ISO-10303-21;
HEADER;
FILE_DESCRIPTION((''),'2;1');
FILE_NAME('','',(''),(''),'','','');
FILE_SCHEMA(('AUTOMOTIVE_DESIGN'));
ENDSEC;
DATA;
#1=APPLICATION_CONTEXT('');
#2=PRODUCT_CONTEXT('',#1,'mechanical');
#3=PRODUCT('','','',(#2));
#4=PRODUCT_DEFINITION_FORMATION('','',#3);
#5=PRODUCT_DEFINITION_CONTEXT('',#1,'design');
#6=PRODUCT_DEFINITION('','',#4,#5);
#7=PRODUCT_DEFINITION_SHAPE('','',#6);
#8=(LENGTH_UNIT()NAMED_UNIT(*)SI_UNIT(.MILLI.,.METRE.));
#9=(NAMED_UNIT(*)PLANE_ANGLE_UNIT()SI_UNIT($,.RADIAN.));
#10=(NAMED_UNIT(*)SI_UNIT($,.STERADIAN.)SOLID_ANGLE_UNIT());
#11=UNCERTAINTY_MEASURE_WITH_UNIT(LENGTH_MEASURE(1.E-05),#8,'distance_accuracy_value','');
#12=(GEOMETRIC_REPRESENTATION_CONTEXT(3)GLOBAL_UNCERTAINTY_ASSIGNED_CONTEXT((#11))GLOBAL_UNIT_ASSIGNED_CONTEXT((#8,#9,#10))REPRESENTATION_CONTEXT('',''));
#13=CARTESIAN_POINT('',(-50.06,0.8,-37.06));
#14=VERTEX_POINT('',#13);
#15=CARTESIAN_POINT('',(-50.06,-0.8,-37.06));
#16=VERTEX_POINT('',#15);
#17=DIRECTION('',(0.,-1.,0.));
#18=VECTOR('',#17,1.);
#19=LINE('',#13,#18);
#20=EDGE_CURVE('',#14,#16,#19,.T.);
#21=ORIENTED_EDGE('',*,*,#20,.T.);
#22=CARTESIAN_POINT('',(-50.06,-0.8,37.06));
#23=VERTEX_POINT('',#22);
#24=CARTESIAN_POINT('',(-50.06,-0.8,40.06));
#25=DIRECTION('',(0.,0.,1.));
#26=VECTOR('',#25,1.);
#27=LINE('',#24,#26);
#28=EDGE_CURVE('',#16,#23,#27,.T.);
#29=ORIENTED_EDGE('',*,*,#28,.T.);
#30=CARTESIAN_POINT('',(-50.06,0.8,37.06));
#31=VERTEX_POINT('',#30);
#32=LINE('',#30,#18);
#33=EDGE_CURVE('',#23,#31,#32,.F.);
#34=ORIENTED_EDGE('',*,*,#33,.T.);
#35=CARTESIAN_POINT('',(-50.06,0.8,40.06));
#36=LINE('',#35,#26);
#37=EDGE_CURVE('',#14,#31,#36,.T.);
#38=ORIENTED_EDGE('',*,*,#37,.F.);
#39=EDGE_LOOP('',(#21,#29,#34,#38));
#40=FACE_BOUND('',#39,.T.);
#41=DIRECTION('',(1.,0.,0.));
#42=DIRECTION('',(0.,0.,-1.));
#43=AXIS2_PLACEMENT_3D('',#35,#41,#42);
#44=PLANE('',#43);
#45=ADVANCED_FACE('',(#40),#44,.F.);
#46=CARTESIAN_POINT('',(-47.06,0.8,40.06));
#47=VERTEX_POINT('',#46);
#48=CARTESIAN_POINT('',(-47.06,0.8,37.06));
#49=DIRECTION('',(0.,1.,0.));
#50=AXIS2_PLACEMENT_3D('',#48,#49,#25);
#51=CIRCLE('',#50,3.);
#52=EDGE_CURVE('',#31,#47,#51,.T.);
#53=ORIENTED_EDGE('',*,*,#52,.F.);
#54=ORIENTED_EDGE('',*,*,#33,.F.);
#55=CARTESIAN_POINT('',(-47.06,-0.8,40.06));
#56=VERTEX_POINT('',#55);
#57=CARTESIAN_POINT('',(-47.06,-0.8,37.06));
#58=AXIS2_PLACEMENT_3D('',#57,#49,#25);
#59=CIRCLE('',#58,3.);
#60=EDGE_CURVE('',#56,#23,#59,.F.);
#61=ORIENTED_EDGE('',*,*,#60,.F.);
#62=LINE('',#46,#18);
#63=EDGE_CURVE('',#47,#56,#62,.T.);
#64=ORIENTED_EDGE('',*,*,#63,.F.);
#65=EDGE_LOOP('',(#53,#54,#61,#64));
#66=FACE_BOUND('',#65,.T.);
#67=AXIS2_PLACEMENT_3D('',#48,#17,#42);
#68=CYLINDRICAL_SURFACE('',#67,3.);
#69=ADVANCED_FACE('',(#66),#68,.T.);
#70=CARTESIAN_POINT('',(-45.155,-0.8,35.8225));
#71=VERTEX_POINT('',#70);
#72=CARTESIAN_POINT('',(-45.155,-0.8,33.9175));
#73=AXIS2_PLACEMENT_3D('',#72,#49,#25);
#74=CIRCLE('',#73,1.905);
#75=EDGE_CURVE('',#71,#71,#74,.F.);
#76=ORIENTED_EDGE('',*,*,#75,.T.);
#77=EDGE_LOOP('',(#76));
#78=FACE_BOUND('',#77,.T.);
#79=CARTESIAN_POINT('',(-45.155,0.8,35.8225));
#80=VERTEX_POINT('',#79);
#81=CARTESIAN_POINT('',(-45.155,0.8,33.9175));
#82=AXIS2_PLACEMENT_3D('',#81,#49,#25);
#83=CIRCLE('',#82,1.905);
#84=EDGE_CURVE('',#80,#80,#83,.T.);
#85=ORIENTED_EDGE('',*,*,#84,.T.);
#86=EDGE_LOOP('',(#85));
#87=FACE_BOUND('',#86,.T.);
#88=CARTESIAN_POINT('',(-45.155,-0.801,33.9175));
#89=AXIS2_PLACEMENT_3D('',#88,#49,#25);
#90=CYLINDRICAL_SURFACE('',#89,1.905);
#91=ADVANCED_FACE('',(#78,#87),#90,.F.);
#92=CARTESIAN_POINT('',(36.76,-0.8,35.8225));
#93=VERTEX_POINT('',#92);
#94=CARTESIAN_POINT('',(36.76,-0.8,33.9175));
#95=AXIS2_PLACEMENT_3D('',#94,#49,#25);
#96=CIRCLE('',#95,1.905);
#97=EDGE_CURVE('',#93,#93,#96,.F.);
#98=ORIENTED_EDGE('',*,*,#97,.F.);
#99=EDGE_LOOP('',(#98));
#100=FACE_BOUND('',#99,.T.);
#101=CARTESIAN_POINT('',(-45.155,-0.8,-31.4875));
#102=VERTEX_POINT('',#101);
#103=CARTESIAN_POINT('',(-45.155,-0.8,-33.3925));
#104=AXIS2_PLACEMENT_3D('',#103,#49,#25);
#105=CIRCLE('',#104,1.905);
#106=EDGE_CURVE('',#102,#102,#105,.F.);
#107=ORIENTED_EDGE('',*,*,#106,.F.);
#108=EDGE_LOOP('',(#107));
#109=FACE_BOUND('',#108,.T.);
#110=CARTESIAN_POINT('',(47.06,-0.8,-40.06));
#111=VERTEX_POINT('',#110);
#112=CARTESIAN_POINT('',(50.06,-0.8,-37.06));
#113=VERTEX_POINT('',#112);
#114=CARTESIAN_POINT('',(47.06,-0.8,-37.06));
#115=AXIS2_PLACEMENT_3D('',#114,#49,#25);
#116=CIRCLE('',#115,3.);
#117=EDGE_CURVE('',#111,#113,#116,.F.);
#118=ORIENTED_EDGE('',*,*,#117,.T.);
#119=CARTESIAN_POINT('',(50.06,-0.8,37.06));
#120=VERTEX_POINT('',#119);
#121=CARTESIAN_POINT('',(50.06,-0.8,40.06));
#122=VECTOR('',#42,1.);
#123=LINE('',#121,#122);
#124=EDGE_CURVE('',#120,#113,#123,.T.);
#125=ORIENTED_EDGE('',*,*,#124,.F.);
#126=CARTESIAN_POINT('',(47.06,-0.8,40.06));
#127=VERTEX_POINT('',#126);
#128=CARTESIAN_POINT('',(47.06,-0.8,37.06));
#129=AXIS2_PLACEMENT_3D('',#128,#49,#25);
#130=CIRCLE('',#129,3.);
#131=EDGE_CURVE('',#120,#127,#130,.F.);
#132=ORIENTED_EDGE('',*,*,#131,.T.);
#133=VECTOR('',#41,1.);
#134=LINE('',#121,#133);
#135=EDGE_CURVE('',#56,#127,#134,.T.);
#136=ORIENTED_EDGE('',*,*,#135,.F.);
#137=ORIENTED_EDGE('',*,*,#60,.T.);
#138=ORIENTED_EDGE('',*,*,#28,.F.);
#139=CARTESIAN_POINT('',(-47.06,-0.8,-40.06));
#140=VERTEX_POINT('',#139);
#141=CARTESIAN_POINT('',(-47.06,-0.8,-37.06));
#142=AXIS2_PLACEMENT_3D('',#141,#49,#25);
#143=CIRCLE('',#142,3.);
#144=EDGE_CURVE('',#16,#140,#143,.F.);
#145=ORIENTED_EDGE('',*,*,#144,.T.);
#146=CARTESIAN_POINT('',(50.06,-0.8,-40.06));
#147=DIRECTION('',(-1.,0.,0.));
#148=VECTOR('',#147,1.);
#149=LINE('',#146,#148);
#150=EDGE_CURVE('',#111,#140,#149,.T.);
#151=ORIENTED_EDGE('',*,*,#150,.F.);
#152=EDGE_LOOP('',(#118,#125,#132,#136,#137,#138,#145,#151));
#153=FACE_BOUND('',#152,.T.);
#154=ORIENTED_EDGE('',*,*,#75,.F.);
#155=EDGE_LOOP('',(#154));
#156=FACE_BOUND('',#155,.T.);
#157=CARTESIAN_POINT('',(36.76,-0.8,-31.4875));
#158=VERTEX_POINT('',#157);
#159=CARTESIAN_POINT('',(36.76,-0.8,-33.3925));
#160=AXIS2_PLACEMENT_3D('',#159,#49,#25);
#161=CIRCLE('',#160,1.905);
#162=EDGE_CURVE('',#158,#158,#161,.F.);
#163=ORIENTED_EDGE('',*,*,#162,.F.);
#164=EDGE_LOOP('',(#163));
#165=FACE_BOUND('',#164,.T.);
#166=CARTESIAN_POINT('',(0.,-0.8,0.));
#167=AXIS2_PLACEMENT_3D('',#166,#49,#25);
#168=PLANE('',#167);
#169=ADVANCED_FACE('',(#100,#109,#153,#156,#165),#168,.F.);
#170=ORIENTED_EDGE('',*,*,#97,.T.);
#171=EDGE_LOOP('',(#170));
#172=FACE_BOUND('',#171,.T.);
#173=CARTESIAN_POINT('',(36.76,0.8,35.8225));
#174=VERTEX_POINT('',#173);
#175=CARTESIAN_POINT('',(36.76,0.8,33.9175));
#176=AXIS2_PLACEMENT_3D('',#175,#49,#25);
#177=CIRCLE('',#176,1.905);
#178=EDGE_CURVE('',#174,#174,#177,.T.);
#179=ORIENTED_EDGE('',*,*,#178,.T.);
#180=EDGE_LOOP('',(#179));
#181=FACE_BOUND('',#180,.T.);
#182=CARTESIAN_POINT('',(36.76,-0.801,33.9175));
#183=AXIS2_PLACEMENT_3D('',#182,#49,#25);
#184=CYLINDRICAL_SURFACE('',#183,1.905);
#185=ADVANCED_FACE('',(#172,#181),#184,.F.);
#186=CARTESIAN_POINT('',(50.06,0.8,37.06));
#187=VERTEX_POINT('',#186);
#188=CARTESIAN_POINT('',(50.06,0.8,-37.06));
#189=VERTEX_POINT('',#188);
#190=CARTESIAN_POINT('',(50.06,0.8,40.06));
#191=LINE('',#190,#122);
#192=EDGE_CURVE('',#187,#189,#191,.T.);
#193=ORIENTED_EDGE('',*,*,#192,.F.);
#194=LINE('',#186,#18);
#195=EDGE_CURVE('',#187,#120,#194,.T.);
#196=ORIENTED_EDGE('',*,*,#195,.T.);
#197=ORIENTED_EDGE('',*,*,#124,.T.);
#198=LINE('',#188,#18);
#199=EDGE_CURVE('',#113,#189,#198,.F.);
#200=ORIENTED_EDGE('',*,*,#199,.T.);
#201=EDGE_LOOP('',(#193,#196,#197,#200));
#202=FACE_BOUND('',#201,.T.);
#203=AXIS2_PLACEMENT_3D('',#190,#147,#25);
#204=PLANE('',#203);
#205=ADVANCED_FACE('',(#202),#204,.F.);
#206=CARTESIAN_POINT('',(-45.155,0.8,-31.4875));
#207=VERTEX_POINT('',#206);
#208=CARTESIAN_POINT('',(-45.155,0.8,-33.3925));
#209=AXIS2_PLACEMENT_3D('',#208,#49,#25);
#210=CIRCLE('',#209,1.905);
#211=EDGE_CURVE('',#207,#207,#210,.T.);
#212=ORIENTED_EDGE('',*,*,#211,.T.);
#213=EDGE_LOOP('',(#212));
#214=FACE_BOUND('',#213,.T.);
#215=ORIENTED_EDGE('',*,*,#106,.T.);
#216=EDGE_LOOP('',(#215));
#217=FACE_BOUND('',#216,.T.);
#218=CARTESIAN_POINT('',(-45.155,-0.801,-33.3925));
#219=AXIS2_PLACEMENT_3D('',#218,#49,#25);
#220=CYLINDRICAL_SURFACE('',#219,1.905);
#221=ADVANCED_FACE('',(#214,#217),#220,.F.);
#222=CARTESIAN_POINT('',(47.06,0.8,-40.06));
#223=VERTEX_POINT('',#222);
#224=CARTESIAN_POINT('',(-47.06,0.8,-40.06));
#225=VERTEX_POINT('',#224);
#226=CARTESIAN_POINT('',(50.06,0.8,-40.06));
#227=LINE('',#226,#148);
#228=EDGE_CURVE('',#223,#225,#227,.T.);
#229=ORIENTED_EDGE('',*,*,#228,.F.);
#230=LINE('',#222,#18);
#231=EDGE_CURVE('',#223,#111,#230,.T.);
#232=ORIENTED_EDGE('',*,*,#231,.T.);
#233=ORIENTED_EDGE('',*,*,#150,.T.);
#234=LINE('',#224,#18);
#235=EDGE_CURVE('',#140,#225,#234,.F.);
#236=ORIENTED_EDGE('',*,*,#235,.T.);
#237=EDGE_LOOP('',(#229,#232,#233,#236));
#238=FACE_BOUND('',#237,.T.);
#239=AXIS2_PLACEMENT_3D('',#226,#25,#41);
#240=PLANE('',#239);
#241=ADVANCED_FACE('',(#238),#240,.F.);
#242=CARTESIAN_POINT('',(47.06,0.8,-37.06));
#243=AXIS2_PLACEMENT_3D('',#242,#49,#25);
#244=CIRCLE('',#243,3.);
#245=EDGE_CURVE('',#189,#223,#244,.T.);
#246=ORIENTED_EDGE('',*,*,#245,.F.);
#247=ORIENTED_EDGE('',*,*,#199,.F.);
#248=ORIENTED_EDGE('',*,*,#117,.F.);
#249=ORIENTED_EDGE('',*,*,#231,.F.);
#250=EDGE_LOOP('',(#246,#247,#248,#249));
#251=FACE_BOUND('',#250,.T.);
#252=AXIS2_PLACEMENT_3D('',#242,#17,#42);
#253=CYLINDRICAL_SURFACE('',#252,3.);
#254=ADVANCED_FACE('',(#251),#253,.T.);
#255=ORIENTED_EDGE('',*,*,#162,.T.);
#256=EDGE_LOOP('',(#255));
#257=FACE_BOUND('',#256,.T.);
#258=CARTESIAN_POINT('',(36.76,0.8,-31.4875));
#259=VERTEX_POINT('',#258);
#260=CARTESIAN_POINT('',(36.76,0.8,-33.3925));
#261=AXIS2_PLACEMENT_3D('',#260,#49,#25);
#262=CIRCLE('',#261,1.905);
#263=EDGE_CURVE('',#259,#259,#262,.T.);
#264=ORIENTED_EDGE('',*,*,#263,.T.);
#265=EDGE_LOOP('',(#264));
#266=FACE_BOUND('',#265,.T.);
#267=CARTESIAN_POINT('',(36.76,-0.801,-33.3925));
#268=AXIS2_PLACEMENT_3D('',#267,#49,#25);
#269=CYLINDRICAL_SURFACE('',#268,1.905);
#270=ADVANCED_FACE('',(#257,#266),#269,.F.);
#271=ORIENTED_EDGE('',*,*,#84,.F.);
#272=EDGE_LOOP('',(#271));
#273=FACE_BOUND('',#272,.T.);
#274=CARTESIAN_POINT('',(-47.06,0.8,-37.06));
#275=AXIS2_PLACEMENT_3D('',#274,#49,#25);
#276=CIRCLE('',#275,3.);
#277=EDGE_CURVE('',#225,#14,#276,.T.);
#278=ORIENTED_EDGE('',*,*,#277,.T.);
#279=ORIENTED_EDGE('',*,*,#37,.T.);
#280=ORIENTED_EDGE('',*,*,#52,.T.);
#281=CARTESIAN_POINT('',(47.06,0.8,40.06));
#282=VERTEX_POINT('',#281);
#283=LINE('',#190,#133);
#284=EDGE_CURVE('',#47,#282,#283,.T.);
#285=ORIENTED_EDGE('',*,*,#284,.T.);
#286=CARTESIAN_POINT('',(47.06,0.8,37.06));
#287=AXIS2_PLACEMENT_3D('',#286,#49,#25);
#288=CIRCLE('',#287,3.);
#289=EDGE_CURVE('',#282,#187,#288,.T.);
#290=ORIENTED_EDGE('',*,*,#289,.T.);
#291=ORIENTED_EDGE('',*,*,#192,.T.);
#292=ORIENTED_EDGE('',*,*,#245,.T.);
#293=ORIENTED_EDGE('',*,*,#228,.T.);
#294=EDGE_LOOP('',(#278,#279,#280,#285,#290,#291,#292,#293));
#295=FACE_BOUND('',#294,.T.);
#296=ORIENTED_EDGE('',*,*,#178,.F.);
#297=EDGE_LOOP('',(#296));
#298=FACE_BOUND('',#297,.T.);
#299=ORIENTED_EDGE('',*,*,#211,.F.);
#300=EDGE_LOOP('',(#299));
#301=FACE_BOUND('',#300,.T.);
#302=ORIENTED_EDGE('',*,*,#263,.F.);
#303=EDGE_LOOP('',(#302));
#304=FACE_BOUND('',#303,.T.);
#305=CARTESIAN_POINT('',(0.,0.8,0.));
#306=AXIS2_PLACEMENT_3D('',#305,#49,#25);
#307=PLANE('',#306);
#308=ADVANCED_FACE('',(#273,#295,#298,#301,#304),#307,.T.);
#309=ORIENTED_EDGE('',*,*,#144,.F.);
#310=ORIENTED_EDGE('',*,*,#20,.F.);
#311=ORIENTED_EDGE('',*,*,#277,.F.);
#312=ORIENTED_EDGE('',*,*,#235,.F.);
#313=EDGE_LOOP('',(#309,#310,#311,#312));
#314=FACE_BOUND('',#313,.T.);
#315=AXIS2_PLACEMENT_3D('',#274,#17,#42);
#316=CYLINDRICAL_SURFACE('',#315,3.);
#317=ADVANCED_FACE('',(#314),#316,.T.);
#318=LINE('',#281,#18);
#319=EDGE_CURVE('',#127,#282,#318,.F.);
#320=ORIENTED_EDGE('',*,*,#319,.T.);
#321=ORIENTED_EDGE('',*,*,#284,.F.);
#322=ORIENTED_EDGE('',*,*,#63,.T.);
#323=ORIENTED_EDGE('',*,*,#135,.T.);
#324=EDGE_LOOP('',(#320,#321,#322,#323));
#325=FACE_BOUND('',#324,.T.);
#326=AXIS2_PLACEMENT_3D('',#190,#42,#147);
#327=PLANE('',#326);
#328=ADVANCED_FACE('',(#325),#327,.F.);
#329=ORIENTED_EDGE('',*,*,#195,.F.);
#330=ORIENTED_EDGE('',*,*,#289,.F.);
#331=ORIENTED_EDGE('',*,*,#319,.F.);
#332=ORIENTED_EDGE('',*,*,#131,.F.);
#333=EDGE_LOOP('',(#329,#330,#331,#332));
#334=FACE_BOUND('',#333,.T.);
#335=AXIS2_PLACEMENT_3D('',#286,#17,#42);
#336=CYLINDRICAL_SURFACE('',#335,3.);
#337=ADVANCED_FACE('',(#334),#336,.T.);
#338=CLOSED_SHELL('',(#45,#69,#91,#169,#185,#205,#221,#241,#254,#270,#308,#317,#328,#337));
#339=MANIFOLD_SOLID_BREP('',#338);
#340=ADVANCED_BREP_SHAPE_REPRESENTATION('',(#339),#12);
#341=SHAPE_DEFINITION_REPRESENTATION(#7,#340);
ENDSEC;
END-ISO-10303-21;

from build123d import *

# Parameters (mm, degrees)
SKETCH1_W           = 100.12
SKETCH1_H           = 80.12
BOSS_EXTRUDE1_DEPTH = 0.8
FILLET1_R           = 3
CUT_EXTRUDE1_REACH  = 66.136
SKETCH2_R           = 1.905


with BuildPart() as part:
    # Sketch1 → Boss-Extrude1 (new, symmetric)
    with BuildSketch(Plane(origin=(0, 0, 0), x_dir=(1, 0, 0), z_dir=(0, 1, 0))):
        Rectangle(SKETCH1_W, SKETCH1_H)
    extrude(amount=BOSS_EXTRUDE1_DEPTH, both=True)

    # Fillet1
    fillet1_edges = [part.edges().sort_by_distance(p)[0] for p in [
        (-50.06, 0, -40.06),
        (50.06, 0, -40.06),
        (50.06, 0, 40.06),
        (-50.06, 0, 40.06),
    ]]
    fillet(fillet1_edges, radius=FILLET1_R)

    # Sketch2 → Cut-Extrude1 (cut, up to next)
    with BuildSketch(Plane(origin=(0, 0.8, 0), x_dir=(1, 0, 0), z_dir=(0, 1, 0)), mode=Mode.PRIVATE) as cut_extrude1_sk1:
        with Locations(Location((-45.155, 33.3925, 0), (0, 0, 270))):
            Circle(SKETCH2_R)
    cut_extrude1_tool1 = extrude(cut_extrude1_sk1.sketch, amount=-CUT_EXTRUDE1_REACH, mode=Mode.PRIVATE) & part.part
    # Sketch2 → Cut-Extrude1 (cut, up to next)
    with BuildSketch(Plane(origin=(0, 0.8, 0), x_dir=(1, 0, 0), z_dir=(0, 1, 0)), mode=Mode.PRIVATE) as cut_extrude1_sk2:
        with Locations(Location((-45.155, -33.9175, 0), (0, 0, 270))):
            Circle(SKETCH2_R)
    cut_extrude1_tool2 = extrude(cut_extrude1_sk2.sketch, amount=-CUT_EXTRUDE1_REACH, mode=Mode.PRIVATE) & part.part
    # Sketch2 → Cut-Extrude1 (cut, up to next)
    with BuildSketch(Plane(origin=(0, 0.8, 0), x_dir=(1, 0, 0), z_dir=(0, 1, 0)), mode=Mode.PRIVATE) as cut_extrude1_sk3:
        with Locations(Location((36.76, -33.9175, 0), (0, 0, 270))):
            Circle(SKETCH2_R)
    cut_extrude1_tool3 = extrude(cut_extrude1_sk3.sketch, amount=-CUT_EXTRUDE1_REACH, mode=Mode.PRIVATE) & part.part
    # Sketch2 → Cut-Extrude1 (cut, up to next)
    with BuildSketch(Plane(origin=(0, 0.8, 0), x_dir=(1, 0, 0), z_dir=(0, 1, 0)), mode=Mode.PRIVATE) as cut_extrude1_sk4:
        with Locations(Location((36.76, 33.3925, 0), (0, 0, 270))):
            Circle(SKETCH2_R)
    cut_extrude1_tool4 = extrude(cut_extrude1_sk4.sketch, amount=-CUT_EXTRUDE1_REACH, mode=Mode.PRIVATE) & part.part
    add(cut_extrude1_tool1.solids().sort_by_distance((-45.155, 0.8, -33.3925))[0], mode=Mode.SUBTRACT)
    add(cut_extrude1_tool2.solids().sort_by_distance((-45.155, 0.8, 33.9175))[0], mode=Mode.SUBTRACT)
    add(cut_extrude1_tool3.solids().sort_by_distance((36.76, 0.8, 33.9175))[0], mode=Mode.SUBTRACT)
    add(cut_extrude1_tool4.solids().sort_by_distance((36.76, 0.8, -33.3925))[0], mode=Mode.SUBTRACT)


solid = part.part
